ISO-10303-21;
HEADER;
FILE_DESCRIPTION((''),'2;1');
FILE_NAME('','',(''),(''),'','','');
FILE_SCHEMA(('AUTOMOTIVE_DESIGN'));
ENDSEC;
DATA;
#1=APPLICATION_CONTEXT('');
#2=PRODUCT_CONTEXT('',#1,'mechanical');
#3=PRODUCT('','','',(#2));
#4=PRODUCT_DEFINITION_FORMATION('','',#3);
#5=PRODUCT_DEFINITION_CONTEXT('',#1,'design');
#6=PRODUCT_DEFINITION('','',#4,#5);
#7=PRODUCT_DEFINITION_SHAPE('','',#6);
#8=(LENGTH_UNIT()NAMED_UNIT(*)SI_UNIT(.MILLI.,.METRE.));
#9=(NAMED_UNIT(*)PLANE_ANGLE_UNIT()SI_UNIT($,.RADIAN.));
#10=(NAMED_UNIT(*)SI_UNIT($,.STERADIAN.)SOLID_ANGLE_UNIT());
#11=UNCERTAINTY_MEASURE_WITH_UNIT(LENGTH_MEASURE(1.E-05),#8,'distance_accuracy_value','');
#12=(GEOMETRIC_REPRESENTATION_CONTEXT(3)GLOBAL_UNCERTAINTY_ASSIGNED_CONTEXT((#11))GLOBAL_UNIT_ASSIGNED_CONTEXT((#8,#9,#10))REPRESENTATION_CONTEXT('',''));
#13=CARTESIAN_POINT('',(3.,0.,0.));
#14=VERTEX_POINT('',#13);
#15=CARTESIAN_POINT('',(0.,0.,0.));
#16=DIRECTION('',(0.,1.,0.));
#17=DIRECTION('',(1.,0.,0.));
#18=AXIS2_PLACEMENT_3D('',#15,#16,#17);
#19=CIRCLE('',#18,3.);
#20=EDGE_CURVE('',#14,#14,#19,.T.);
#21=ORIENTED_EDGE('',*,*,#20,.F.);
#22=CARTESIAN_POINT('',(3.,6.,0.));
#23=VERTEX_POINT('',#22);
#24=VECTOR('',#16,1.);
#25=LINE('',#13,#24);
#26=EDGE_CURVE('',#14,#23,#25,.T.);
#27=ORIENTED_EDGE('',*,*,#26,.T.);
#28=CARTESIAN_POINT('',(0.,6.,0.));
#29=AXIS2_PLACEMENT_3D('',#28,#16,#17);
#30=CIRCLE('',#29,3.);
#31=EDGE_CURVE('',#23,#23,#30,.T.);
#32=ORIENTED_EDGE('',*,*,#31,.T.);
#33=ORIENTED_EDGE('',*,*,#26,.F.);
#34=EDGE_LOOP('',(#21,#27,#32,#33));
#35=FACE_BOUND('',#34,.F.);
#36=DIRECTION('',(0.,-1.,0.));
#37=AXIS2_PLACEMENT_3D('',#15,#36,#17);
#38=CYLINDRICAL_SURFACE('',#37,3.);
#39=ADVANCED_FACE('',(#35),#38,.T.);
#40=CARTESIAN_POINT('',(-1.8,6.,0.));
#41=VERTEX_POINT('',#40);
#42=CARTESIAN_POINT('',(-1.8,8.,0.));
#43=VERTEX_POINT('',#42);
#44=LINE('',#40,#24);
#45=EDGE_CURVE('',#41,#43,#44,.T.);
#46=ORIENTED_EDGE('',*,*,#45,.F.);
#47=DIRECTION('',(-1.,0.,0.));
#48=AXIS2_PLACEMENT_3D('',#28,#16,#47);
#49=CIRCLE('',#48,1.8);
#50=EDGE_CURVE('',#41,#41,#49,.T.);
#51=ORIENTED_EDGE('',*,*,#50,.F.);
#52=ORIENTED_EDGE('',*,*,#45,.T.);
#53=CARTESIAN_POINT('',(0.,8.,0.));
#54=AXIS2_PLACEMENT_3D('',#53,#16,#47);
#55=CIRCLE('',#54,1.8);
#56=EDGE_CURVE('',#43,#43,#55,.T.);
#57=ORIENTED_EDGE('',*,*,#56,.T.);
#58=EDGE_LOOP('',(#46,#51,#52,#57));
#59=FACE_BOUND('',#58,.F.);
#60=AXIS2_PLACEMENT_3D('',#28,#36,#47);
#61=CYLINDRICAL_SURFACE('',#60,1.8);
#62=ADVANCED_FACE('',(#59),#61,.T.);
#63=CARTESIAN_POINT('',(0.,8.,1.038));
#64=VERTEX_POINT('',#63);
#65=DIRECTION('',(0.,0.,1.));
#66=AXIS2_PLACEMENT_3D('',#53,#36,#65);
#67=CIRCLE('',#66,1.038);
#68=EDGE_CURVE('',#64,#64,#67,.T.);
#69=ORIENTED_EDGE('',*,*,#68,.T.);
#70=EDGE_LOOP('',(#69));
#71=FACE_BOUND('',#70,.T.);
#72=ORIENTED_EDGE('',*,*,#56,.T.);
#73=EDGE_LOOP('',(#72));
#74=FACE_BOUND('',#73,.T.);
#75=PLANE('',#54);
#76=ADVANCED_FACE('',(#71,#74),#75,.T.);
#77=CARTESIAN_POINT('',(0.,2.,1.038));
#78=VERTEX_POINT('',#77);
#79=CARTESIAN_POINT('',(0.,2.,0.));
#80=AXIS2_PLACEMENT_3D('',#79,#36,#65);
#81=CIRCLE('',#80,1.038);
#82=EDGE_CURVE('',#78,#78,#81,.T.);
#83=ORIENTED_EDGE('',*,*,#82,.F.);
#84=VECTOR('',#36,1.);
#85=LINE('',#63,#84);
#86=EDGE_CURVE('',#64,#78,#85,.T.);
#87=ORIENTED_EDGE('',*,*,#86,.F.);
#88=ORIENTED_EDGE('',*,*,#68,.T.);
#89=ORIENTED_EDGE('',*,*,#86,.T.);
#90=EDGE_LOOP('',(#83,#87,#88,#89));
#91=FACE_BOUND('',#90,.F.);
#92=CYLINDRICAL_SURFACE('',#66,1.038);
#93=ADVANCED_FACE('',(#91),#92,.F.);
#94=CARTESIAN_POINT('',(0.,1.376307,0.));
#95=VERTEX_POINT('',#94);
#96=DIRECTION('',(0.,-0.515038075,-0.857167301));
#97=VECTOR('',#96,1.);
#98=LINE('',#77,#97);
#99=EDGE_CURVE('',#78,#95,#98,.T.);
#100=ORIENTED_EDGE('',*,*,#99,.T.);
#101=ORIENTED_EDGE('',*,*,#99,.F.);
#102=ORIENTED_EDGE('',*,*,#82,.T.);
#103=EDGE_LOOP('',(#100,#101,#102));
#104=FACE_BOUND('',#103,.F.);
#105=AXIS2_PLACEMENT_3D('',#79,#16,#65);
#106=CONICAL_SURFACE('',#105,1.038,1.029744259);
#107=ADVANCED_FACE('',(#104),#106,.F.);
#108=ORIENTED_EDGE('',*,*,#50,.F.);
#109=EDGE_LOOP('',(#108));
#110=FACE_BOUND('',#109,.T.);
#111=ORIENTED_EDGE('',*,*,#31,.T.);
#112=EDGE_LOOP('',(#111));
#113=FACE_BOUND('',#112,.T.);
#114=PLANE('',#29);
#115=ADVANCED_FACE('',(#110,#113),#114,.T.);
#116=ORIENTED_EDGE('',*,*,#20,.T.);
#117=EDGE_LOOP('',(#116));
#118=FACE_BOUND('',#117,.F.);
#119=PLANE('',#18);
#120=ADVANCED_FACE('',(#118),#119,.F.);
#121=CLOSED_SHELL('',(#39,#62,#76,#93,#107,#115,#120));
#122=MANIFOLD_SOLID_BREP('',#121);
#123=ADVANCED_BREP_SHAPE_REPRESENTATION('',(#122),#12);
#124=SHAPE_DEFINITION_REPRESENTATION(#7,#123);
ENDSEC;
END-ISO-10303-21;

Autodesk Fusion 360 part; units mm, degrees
sketch "Sketch1" plane through (0, 0, 0) normal (0, 1, 0) x (1, 0, 0)
  circle A0 centre (0, 0) radius 3
extrude "Extrude1" add sketch "Sketch1" along normal blind 6
sketch "Sketch2" plane through (0, 6, 0) normal (0, 1, 0) x (-1, 0, 0)
  circle A0 centre (0, 0) radius 3
  circle A1 centre (0, 0) radius 1.8
extrude "Extrude2" add sketch "Sketch2" along normal blind 2 contours A1
hole "Hole1" at (0, 8, 0) direction (0, -1, 0) diameter 2.076 depth 6 tip angle 118
